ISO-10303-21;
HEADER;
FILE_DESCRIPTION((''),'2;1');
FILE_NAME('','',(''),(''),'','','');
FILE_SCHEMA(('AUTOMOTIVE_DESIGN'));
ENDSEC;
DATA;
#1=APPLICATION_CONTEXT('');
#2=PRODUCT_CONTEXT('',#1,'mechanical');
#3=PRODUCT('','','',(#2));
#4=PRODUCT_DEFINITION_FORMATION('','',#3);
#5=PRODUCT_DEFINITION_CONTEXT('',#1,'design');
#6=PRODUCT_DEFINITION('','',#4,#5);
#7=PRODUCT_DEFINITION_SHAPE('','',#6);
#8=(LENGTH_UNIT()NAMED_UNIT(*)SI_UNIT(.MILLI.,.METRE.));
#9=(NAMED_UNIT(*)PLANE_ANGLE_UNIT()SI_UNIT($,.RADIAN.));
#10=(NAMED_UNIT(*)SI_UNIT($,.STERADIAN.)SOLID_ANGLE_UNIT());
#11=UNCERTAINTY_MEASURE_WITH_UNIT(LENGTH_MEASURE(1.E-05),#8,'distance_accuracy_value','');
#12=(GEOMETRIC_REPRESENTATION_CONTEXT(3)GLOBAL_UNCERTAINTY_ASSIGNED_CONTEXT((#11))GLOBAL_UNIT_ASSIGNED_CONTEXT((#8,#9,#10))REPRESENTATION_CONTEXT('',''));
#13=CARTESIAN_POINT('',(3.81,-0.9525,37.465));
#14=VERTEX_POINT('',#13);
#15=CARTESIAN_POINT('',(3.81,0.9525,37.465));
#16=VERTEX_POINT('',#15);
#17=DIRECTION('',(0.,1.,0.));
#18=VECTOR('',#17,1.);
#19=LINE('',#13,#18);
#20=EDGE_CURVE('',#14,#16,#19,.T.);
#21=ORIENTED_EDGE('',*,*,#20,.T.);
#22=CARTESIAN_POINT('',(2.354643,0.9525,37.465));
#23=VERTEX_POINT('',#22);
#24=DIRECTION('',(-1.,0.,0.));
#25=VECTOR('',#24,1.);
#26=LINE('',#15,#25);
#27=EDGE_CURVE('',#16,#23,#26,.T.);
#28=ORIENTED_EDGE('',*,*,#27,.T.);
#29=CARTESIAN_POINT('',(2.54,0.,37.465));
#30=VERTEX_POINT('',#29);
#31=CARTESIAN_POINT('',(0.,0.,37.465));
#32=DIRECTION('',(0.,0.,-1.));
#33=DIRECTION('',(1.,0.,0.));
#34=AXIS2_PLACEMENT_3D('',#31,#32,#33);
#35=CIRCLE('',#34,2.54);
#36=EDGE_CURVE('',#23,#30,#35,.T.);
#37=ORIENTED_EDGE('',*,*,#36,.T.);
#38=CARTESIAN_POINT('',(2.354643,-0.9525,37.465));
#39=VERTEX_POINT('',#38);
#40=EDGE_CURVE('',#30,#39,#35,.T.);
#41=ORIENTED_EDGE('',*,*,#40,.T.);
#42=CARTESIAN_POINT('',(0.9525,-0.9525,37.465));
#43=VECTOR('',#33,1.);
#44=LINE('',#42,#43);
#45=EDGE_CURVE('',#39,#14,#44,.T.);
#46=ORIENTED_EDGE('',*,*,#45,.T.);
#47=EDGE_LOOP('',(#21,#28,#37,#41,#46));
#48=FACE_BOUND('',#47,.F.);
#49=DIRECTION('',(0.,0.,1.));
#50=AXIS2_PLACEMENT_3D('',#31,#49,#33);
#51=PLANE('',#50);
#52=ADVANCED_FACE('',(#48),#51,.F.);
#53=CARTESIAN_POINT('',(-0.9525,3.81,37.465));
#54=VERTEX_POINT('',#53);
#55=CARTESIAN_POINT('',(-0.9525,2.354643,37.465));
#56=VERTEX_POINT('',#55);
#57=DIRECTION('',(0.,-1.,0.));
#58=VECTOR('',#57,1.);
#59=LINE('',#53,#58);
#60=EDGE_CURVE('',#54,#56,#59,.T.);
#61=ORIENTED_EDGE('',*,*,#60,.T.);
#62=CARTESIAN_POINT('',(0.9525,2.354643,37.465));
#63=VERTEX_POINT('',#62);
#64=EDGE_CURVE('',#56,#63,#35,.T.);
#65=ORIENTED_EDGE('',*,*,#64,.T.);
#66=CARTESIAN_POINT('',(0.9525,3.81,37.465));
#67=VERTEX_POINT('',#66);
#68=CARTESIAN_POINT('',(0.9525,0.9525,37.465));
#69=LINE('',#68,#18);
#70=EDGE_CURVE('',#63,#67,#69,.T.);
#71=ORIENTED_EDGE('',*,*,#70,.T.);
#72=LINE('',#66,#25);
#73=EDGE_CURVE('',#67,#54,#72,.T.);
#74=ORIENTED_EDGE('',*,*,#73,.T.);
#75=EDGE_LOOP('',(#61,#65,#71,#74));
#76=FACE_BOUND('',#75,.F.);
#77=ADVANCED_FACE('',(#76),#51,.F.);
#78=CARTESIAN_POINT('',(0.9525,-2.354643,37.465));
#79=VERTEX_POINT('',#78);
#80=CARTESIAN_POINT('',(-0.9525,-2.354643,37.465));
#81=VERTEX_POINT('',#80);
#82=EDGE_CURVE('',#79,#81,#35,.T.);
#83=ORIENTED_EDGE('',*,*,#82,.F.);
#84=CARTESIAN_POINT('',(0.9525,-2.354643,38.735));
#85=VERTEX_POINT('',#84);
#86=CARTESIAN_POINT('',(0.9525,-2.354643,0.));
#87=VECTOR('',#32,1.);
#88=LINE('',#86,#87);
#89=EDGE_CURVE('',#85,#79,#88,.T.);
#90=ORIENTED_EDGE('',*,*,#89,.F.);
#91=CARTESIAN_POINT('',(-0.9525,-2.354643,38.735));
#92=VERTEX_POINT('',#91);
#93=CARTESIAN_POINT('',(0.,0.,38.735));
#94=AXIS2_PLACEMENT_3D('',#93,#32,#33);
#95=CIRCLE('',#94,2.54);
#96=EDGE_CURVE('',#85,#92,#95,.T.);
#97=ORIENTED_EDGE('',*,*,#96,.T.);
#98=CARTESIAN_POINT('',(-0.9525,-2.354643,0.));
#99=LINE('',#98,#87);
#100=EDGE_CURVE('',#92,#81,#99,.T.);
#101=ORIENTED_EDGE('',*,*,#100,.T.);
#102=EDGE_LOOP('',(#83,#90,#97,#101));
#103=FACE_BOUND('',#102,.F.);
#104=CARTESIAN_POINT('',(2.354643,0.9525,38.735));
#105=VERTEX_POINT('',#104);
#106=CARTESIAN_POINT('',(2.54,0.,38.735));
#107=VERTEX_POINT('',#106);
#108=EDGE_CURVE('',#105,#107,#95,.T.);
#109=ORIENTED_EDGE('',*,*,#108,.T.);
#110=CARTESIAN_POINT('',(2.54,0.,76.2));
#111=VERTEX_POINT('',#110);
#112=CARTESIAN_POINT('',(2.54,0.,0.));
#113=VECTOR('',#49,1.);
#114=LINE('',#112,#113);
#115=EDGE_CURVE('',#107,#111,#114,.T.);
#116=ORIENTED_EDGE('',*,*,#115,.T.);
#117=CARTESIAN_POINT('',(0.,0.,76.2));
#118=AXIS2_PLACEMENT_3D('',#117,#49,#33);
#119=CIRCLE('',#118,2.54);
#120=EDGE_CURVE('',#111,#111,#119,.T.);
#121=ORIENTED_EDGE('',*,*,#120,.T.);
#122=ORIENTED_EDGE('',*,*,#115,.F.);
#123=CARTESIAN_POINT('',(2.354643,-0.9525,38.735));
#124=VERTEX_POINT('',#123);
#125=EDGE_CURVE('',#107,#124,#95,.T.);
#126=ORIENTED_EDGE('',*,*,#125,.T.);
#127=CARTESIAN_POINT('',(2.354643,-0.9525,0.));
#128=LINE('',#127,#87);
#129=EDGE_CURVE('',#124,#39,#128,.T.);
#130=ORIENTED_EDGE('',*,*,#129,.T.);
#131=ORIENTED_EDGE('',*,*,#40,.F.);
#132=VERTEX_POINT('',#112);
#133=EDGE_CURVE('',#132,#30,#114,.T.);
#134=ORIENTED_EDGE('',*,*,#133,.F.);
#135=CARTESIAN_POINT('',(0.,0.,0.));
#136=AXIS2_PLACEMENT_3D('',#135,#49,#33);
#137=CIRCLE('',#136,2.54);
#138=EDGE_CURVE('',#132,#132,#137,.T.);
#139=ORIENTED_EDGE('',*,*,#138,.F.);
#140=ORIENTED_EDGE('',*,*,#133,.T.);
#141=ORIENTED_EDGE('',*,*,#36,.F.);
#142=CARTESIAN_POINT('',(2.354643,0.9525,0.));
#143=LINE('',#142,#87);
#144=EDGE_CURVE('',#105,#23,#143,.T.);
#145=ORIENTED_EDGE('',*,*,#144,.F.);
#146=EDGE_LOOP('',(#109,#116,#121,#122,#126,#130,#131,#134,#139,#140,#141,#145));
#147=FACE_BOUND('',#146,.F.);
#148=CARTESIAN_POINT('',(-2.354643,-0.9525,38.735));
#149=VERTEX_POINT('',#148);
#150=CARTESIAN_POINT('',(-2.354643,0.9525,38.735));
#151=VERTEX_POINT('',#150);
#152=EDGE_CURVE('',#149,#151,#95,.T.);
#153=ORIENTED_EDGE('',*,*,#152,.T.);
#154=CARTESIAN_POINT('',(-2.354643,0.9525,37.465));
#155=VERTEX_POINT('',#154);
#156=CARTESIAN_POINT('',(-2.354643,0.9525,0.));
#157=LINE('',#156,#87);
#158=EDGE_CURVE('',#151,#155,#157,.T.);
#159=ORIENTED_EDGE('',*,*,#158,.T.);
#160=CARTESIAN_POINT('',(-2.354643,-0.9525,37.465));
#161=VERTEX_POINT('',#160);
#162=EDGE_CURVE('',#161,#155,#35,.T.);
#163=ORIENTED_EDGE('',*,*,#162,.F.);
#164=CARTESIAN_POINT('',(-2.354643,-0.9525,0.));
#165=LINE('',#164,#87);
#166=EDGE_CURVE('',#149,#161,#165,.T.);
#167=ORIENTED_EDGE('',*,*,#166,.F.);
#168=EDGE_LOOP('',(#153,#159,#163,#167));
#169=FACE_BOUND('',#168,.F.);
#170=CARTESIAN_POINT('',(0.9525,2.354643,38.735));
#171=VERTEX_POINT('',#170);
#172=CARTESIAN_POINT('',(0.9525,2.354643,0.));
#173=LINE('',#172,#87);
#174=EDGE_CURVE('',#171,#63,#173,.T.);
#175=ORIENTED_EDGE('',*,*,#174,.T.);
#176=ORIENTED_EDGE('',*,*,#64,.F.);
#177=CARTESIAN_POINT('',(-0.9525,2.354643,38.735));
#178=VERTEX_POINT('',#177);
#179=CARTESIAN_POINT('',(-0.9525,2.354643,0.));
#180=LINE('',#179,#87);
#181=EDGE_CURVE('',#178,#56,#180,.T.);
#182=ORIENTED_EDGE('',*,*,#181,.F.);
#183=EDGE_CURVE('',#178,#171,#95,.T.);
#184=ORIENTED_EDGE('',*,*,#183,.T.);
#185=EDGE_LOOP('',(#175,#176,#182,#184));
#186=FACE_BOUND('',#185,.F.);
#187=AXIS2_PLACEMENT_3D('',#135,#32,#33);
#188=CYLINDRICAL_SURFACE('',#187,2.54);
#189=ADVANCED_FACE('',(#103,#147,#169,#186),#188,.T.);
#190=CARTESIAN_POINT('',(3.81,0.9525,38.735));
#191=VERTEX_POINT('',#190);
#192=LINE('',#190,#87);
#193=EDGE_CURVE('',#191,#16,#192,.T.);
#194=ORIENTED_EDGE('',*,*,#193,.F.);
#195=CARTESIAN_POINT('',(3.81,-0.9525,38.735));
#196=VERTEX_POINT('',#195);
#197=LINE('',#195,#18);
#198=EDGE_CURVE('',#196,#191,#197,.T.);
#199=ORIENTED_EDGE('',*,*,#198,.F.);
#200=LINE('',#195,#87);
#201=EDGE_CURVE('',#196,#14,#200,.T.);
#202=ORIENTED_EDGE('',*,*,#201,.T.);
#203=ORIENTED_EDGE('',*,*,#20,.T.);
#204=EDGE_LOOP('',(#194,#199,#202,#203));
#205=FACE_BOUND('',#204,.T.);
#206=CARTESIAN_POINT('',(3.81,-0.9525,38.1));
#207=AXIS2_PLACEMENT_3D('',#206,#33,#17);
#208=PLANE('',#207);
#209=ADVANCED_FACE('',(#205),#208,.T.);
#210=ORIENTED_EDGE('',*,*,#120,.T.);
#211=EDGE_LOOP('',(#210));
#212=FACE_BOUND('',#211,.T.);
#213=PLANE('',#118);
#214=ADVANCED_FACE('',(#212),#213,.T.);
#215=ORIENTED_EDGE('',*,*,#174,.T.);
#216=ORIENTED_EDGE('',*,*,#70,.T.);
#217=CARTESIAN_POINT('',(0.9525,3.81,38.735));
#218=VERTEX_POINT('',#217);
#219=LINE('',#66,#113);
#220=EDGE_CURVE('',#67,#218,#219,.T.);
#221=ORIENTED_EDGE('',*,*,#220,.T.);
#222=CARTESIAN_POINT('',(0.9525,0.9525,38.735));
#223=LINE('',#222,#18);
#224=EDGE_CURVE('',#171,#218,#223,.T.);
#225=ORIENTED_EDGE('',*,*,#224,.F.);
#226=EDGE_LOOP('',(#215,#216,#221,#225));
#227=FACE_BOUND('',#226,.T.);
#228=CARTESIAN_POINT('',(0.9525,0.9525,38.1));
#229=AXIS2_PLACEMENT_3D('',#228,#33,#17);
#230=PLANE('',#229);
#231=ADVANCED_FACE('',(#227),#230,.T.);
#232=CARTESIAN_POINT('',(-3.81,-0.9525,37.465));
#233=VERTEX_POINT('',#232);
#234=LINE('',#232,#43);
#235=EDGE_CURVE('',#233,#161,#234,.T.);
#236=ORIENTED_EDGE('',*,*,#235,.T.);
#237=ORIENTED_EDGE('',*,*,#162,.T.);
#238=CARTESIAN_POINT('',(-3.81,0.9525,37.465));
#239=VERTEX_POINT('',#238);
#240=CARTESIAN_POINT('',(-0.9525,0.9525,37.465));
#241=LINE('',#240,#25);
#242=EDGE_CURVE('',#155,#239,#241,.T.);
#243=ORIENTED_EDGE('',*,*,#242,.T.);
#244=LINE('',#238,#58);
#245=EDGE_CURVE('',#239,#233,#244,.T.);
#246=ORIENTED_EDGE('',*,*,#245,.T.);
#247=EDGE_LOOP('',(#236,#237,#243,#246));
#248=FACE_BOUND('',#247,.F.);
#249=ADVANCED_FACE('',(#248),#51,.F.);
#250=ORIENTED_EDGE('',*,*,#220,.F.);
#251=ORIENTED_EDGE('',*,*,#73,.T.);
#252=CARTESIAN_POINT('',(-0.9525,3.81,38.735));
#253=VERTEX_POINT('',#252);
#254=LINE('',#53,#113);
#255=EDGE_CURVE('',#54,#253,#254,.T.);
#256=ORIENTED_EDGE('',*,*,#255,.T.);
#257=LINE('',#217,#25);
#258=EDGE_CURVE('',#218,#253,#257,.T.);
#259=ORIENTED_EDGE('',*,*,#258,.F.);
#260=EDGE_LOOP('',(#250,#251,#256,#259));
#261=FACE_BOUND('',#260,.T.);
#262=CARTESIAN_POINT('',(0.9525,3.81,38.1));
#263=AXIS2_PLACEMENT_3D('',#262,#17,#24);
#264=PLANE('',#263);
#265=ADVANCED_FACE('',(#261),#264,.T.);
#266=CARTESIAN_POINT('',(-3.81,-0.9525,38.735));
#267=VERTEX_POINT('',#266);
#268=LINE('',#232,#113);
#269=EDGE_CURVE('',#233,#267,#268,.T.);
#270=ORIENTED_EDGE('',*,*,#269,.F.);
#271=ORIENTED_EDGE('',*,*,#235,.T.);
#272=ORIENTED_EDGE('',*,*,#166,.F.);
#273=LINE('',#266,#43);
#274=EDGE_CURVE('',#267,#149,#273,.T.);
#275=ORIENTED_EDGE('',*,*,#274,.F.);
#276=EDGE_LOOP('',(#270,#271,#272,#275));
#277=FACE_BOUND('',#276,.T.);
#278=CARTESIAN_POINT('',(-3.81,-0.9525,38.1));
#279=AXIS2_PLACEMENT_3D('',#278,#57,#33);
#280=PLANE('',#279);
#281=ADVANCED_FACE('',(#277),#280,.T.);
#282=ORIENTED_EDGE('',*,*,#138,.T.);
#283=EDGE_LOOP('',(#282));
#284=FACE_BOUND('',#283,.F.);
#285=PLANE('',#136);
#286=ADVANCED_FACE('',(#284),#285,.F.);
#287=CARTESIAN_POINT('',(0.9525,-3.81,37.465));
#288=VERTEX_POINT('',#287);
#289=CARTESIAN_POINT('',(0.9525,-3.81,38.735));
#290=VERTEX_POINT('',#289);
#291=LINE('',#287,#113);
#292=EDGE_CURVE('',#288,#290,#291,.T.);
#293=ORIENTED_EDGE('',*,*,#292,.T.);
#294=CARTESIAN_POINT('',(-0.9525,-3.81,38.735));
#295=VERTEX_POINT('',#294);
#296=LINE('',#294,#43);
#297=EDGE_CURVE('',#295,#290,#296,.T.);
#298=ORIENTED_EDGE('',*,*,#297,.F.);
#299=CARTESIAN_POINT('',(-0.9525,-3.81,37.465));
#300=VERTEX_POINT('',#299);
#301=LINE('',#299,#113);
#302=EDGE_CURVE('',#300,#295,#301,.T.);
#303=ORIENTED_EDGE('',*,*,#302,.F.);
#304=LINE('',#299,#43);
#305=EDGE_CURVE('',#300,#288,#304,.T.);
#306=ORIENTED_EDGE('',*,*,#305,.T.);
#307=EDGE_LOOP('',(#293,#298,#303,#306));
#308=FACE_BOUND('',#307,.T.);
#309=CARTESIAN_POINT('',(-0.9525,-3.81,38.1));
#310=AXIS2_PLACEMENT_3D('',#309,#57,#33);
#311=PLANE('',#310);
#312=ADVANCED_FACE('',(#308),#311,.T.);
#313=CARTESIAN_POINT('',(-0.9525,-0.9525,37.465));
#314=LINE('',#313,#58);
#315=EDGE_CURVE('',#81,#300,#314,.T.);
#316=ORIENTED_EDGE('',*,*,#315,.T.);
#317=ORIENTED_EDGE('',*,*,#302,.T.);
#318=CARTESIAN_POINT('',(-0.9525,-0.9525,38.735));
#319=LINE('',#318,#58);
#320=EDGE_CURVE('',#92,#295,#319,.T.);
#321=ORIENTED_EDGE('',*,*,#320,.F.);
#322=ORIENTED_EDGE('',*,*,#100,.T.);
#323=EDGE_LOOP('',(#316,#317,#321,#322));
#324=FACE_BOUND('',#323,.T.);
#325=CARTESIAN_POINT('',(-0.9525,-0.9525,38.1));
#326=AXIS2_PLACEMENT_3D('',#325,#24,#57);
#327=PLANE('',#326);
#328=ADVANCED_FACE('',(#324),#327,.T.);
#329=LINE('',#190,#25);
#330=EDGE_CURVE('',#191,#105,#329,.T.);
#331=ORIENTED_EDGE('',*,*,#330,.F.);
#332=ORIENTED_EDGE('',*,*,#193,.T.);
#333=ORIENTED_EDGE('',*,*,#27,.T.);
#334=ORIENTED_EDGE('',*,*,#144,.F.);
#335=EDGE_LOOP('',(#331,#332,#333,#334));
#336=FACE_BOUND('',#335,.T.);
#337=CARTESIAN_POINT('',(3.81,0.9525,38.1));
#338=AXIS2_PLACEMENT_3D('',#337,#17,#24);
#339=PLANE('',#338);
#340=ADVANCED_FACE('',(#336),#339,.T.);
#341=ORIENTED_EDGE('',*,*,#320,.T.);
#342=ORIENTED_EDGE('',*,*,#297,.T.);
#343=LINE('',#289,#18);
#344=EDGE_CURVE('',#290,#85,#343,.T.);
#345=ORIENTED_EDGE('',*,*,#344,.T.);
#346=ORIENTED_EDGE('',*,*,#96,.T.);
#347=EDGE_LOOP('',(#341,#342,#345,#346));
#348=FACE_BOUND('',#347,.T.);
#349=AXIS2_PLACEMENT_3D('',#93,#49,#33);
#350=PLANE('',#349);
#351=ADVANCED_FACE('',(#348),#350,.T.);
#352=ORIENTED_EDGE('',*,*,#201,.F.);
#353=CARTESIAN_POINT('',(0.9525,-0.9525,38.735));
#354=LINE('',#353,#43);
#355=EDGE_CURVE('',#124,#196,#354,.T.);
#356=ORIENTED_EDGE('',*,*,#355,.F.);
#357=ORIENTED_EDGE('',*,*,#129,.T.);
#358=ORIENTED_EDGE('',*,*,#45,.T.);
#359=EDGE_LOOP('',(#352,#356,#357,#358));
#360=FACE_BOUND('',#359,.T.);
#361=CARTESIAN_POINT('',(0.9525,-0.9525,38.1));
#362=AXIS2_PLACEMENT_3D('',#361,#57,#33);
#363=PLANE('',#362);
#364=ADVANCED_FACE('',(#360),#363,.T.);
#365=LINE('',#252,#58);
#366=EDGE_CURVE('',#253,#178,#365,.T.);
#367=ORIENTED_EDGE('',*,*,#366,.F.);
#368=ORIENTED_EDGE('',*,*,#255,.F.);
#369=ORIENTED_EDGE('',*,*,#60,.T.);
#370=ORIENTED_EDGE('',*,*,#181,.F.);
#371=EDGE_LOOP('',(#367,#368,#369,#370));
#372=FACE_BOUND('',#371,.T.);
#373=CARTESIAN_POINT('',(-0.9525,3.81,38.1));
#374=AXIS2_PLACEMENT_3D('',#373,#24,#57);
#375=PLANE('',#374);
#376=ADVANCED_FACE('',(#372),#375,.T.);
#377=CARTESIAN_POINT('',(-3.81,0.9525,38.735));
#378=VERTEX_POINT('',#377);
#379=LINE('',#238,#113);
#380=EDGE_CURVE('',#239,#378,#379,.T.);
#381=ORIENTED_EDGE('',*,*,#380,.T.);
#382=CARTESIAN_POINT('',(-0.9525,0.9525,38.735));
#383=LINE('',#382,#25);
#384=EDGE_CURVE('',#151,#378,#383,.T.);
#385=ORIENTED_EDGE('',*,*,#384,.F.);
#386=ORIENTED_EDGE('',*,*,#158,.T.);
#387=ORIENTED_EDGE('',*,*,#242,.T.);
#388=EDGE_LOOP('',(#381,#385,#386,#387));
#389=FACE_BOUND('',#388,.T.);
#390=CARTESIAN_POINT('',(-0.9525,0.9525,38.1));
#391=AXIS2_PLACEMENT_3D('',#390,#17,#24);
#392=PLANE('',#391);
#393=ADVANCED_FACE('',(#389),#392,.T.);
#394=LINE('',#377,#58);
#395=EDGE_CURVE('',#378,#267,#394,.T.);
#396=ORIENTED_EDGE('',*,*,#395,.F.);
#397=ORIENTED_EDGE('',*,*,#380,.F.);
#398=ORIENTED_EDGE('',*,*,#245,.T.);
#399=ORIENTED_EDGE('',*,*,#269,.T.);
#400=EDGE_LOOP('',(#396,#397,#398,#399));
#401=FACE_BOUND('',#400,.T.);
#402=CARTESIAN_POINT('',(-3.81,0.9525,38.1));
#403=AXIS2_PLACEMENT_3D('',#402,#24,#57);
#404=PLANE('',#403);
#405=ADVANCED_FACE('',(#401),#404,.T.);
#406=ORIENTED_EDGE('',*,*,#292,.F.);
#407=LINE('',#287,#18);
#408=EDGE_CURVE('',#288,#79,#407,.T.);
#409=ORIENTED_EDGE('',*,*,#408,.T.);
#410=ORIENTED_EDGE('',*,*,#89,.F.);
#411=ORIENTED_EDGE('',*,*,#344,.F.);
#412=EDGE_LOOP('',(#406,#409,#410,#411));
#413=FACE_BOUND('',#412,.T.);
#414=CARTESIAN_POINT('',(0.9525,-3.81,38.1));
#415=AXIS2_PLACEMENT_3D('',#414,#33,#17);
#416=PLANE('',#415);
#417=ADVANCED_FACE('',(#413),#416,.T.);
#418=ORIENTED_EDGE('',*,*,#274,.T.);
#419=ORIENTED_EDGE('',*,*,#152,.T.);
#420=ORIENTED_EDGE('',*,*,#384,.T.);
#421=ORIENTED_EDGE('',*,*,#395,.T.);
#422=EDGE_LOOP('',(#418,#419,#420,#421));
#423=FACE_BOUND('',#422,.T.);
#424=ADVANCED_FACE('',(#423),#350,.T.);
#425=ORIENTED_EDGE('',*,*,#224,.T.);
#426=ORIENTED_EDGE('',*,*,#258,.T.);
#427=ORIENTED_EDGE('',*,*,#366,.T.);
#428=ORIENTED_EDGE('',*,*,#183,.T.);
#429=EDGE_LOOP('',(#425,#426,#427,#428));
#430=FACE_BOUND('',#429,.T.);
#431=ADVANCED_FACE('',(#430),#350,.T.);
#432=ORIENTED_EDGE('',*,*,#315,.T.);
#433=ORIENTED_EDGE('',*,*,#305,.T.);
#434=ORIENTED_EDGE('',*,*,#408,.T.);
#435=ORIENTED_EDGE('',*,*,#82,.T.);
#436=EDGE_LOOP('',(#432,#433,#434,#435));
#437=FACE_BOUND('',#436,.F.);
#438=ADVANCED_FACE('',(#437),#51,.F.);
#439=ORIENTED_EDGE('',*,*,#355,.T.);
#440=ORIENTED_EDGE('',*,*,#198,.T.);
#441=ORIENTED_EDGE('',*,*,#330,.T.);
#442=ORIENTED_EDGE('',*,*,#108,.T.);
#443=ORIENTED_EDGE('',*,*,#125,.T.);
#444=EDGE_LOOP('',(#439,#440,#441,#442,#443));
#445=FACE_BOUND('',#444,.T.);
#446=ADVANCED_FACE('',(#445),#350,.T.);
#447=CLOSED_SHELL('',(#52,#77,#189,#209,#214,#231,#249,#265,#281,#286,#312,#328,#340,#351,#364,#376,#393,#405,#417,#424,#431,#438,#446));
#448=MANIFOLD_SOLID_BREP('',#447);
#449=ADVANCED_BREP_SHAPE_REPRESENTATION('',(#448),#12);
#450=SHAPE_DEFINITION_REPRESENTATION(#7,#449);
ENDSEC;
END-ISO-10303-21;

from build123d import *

# Parameters (mm, degrees)
F0_R     = 2.54
F1_DEPTH = 76.2
F4_DEPTH = 0.635


with BuildPart() as f1:
    # F0 (on Top) → F1 (new body)
    with BuildSketch(Plane.XY):
        Circle(F0_R)
    extrude(amount=F1_DEPTH)

    # F3 (on offset) → F4 (join, symmetric)
    with BuildSketch(Plane.XY.offset(38.1)):
        Polygon((0.9525, 0.9525), (0.9525, 3.81), (-0.9525, 3.81), (-0.9525, 0.9525), (-3.81, 0.9525), (-3.81, -0.9525), (-0.9525, -0.9525), (-0.9525, -3.81), (0.9525, -3.81), (0.9525, -0.9525), (3.81, -0.9525), (3.81, 0.9525), align=None)
    extrude(amount=F4_DEPTH, both=True)


solid = f1.part
